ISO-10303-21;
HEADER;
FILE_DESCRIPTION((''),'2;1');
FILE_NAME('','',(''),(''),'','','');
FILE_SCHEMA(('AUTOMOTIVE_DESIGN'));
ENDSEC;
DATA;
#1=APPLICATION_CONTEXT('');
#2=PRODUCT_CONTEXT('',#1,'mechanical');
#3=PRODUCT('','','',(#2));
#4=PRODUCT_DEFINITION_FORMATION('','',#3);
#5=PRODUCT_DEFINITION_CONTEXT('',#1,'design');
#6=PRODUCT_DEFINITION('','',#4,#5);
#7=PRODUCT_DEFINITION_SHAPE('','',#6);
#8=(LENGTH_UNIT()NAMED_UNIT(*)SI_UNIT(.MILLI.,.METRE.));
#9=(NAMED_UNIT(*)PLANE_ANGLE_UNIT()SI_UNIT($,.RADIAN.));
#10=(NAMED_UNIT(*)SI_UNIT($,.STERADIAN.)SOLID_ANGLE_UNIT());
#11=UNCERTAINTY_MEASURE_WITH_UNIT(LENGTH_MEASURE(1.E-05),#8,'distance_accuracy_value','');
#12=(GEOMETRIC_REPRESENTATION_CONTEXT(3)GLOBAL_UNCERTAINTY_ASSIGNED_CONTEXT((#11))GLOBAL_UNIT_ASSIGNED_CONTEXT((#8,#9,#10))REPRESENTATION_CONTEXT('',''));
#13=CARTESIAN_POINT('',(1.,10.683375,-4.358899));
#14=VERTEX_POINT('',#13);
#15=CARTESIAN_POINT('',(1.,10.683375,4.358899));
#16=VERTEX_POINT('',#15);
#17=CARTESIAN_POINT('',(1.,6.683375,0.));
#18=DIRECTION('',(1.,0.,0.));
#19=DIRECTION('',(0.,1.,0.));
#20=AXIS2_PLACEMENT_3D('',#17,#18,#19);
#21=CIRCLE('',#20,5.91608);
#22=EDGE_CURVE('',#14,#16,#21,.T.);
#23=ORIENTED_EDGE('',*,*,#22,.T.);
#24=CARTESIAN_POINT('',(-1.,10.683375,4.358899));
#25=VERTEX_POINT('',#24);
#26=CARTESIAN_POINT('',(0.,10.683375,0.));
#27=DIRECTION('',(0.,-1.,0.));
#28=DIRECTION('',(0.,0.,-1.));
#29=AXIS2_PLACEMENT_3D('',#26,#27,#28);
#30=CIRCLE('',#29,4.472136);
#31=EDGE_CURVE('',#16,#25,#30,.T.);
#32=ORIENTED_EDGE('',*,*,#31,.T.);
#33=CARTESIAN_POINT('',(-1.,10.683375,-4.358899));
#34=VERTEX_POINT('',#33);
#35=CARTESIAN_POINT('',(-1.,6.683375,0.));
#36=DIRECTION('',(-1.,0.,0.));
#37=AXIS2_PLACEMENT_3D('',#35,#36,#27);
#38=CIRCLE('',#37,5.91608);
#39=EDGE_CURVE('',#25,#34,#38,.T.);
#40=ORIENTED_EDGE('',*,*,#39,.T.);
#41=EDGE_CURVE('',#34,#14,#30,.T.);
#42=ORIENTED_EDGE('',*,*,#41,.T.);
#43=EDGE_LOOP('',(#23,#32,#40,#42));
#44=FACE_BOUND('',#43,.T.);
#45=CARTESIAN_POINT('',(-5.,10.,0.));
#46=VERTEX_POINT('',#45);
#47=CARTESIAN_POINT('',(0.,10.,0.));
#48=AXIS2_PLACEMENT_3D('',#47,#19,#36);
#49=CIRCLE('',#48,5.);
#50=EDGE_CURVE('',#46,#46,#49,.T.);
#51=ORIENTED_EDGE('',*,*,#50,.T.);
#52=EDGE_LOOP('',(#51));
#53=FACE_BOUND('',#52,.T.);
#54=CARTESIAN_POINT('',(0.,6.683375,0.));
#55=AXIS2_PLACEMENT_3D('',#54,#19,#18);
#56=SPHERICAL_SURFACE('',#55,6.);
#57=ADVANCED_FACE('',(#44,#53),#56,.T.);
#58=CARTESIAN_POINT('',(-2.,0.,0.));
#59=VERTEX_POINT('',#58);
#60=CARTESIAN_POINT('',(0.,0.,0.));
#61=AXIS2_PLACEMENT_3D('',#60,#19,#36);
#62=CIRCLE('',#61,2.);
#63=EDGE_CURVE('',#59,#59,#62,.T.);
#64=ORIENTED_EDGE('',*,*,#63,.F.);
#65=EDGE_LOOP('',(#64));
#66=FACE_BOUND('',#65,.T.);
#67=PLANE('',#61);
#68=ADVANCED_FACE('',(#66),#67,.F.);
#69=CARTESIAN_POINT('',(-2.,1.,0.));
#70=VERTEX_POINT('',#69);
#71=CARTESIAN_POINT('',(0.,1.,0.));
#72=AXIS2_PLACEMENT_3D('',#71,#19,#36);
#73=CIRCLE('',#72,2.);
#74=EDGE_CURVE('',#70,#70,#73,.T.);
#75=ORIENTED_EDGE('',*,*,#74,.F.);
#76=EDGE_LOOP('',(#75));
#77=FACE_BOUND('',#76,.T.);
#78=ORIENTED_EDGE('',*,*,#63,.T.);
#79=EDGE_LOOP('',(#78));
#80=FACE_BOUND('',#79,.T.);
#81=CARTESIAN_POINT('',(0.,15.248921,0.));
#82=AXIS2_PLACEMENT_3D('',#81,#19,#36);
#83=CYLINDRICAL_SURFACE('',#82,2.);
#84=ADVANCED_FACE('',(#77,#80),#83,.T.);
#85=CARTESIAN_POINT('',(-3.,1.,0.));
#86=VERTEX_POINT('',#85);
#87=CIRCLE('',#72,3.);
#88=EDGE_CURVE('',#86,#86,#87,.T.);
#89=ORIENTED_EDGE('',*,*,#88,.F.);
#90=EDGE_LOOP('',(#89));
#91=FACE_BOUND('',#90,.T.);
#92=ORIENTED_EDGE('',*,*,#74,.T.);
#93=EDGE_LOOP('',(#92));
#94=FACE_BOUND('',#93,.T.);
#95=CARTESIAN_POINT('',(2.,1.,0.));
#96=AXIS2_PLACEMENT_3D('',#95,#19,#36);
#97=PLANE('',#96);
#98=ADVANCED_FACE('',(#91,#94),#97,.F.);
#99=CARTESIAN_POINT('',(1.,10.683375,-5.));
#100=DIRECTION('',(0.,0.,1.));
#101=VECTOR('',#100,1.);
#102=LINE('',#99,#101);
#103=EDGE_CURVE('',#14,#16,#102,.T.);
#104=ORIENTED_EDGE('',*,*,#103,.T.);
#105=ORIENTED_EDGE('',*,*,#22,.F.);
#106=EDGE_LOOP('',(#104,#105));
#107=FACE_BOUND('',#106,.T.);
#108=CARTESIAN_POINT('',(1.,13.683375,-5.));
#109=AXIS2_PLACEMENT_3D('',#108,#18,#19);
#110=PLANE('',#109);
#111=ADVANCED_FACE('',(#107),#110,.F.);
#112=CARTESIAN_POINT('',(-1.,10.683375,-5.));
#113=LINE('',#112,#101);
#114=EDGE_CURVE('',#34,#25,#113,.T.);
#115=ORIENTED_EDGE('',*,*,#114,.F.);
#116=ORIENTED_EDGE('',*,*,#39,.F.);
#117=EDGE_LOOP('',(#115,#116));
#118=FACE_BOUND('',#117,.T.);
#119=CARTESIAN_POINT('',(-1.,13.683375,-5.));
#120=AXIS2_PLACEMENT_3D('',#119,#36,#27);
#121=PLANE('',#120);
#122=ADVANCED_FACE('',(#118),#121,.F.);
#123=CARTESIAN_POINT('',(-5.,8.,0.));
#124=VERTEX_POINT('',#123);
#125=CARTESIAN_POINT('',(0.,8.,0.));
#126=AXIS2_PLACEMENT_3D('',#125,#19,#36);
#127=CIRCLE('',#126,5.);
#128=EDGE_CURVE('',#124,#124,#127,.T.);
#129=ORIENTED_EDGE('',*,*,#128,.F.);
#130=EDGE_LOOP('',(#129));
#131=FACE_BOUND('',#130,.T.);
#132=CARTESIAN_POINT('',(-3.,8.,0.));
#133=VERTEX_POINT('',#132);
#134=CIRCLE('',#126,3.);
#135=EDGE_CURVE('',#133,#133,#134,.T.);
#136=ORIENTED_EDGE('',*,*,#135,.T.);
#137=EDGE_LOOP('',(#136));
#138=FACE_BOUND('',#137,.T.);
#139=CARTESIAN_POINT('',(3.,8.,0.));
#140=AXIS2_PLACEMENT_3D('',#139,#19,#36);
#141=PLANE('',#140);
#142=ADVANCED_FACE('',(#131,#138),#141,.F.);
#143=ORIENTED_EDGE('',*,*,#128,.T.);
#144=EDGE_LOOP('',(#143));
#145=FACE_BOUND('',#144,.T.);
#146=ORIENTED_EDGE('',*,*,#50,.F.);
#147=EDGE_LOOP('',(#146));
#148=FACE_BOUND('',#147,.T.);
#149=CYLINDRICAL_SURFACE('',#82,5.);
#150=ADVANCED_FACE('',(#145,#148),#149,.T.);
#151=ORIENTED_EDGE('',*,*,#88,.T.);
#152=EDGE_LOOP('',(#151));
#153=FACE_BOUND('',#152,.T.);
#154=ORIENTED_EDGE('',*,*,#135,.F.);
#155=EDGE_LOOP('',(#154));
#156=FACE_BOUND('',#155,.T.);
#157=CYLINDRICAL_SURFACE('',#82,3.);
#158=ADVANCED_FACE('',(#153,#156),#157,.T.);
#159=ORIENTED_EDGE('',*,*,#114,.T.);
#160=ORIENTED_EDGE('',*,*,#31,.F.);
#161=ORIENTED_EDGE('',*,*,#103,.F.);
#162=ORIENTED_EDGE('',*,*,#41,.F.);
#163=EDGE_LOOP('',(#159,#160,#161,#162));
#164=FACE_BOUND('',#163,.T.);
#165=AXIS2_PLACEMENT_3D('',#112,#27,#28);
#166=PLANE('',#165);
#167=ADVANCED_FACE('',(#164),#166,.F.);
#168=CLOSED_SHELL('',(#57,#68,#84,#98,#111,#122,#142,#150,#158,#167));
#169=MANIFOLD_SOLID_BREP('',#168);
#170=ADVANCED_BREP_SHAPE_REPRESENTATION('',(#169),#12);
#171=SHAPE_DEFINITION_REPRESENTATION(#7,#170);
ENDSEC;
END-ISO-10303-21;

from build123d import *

# Parameters (mm, degrees)
SKETCH2_W               = 2
SKETCH2_H               = 3
CUT_EXTRUDE1_DEPTH      = 6
CUT_EXTRUDE1_DEPTH_BACK = 6


with BuildPart() as part:
    # Sketch1 → Revolve1 (revolve)
    with BuildSketch(Plane.XY):
        with BuildLine():
            Line((0, 12.68337521), (0, 0))
            Line((0, 0), (2, 0))
            Line((2, 0), (2, 1))
            Line((2, 1), (3, 1))
            Line((3, 1), (3, 8))
            Line((3, 8), (5, 8))
            Line((5, 8), (5, 10))
            ThreePointArc((5, 10), (2.837274331, 11.970139283), (0, 12.68337521))
        make_face()
    revolve(axis=Axis((0, 15.248921205, 0), (0, -1, 0)))

    # Sketch2 → Cut-Extrude1 (cut, two sides)
    with BuildSketch(Plane.XY) as cut_extrude1_sk:
        with Locations((0, 12.18337521)):
            Rectangle(SKETCH2_W, SKETCH2_H)
    extrude(amount=CUT_EXTRUDE1_DEPTH, mode=Mode.SUBTRACT)
    extrude(cut_extrude1_sk.sketch, amount=-CUT_EXTRUDE1_DEPTH_BACK, mode=Mode.SUBTRACT)


solid = part.part
